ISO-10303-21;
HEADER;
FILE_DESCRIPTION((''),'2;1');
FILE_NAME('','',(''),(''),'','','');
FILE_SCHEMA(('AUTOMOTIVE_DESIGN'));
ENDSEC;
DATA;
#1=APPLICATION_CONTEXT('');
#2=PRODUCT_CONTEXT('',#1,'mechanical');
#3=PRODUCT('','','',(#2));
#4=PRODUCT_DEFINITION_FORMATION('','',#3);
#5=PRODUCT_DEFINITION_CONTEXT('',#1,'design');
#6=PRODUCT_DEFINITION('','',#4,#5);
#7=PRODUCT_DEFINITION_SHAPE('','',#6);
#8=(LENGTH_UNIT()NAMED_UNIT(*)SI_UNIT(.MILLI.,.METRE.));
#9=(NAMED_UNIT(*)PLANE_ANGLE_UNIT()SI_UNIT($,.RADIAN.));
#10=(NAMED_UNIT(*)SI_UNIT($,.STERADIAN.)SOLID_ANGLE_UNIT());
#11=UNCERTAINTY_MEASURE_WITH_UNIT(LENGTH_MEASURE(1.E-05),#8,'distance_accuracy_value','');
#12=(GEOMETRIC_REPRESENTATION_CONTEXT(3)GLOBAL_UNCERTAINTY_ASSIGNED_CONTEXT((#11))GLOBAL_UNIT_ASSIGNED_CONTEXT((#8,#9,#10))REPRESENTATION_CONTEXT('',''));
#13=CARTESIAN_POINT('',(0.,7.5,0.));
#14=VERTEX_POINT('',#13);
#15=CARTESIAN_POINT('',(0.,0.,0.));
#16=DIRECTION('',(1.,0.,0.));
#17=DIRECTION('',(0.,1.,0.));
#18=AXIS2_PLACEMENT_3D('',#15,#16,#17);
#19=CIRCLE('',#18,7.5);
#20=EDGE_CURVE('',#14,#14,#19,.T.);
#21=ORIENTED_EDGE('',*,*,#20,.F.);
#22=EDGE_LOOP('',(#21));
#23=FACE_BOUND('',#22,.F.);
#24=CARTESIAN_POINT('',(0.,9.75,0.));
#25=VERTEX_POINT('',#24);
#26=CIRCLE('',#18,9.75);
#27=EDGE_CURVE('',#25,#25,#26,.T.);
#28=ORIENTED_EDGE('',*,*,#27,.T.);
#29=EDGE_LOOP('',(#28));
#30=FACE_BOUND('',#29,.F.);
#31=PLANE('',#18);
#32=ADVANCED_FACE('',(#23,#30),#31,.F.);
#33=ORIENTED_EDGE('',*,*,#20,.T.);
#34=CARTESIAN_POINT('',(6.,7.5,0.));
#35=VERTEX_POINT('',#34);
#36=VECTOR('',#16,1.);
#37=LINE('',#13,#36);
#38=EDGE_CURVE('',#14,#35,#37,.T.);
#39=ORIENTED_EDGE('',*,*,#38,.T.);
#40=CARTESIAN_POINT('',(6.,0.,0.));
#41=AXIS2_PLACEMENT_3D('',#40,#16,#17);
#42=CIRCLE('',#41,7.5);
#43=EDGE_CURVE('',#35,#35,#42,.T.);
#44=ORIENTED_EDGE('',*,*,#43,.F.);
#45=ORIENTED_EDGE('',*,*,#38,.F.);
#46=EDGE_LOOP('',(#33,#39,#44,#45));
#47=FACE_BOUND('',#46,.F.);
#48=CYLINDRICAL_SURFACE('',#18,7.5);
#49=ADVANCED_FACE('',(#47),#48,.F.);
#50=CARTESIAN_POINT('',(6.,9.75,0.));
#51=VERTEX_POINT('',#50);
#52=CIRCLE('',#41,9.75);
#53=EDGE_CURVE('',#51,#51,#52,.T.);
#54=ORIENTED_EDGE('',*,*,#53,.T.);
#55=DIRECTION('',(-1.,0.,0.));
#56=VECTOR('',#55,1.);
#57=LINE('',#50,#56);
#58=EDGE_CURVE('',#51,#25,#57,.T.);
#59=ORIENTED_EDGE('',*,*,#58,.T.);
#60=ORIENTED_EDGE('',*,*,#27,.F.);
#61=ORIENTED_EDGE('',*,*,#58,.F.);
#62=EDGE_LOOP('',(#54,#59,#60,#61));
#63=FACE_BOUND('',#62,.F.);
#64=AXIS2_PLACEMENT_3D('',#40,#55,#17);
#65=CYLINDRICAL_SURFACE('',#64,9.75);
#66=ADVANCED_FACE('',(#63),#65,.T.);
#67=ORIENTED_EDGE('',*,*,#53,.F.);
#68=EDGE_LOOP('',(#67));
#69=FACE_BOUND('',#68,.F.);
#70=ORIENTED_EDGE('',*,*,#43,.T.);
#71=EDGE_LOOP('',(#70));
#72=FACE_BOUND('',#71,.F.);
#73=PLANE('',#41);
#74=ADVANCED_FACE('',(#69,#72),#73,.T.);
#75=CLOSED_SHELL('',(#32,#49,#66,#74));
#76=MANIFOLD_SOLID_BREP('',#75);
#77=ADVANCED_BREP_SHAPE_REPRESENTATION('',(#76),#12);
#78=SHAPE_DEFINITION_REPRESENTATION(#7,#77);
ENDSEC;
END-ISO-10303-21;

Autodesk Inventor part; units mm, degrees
sketch "Sketch_1" plane through (0, 0, 0) normal (0, 0, 1) x (1, 0, 0)
  line L0 (6, 0) -> (0, 0)
  line L1 (0, 7.5) -> (6, 7.5)
  line L2 (6, 7.5) -> (6, 9.75)
  line L3 (6, 9.75) -> (0, 9.75)
  line L4 (0, 9.75) -> (0, 7.5)
revolve "Revolution1" add sketch "Sketch_1" angle 360 about axis through (6, 0, 0) along (1, 0, 0)
ref_plane "collar_XY" through (0, 0, 0) normal (1, 0, 0) x (0, 0, -1)
ref_plane "collar_YZ" through (0, 0, 0) normal (0, 0, -1) x (0, 1, 0)
ref_plane "collar_ZX" through (0, 0, 0) normal (0, 1, 0) x (1, 0, 0)
properties part number "BK 15collar"
